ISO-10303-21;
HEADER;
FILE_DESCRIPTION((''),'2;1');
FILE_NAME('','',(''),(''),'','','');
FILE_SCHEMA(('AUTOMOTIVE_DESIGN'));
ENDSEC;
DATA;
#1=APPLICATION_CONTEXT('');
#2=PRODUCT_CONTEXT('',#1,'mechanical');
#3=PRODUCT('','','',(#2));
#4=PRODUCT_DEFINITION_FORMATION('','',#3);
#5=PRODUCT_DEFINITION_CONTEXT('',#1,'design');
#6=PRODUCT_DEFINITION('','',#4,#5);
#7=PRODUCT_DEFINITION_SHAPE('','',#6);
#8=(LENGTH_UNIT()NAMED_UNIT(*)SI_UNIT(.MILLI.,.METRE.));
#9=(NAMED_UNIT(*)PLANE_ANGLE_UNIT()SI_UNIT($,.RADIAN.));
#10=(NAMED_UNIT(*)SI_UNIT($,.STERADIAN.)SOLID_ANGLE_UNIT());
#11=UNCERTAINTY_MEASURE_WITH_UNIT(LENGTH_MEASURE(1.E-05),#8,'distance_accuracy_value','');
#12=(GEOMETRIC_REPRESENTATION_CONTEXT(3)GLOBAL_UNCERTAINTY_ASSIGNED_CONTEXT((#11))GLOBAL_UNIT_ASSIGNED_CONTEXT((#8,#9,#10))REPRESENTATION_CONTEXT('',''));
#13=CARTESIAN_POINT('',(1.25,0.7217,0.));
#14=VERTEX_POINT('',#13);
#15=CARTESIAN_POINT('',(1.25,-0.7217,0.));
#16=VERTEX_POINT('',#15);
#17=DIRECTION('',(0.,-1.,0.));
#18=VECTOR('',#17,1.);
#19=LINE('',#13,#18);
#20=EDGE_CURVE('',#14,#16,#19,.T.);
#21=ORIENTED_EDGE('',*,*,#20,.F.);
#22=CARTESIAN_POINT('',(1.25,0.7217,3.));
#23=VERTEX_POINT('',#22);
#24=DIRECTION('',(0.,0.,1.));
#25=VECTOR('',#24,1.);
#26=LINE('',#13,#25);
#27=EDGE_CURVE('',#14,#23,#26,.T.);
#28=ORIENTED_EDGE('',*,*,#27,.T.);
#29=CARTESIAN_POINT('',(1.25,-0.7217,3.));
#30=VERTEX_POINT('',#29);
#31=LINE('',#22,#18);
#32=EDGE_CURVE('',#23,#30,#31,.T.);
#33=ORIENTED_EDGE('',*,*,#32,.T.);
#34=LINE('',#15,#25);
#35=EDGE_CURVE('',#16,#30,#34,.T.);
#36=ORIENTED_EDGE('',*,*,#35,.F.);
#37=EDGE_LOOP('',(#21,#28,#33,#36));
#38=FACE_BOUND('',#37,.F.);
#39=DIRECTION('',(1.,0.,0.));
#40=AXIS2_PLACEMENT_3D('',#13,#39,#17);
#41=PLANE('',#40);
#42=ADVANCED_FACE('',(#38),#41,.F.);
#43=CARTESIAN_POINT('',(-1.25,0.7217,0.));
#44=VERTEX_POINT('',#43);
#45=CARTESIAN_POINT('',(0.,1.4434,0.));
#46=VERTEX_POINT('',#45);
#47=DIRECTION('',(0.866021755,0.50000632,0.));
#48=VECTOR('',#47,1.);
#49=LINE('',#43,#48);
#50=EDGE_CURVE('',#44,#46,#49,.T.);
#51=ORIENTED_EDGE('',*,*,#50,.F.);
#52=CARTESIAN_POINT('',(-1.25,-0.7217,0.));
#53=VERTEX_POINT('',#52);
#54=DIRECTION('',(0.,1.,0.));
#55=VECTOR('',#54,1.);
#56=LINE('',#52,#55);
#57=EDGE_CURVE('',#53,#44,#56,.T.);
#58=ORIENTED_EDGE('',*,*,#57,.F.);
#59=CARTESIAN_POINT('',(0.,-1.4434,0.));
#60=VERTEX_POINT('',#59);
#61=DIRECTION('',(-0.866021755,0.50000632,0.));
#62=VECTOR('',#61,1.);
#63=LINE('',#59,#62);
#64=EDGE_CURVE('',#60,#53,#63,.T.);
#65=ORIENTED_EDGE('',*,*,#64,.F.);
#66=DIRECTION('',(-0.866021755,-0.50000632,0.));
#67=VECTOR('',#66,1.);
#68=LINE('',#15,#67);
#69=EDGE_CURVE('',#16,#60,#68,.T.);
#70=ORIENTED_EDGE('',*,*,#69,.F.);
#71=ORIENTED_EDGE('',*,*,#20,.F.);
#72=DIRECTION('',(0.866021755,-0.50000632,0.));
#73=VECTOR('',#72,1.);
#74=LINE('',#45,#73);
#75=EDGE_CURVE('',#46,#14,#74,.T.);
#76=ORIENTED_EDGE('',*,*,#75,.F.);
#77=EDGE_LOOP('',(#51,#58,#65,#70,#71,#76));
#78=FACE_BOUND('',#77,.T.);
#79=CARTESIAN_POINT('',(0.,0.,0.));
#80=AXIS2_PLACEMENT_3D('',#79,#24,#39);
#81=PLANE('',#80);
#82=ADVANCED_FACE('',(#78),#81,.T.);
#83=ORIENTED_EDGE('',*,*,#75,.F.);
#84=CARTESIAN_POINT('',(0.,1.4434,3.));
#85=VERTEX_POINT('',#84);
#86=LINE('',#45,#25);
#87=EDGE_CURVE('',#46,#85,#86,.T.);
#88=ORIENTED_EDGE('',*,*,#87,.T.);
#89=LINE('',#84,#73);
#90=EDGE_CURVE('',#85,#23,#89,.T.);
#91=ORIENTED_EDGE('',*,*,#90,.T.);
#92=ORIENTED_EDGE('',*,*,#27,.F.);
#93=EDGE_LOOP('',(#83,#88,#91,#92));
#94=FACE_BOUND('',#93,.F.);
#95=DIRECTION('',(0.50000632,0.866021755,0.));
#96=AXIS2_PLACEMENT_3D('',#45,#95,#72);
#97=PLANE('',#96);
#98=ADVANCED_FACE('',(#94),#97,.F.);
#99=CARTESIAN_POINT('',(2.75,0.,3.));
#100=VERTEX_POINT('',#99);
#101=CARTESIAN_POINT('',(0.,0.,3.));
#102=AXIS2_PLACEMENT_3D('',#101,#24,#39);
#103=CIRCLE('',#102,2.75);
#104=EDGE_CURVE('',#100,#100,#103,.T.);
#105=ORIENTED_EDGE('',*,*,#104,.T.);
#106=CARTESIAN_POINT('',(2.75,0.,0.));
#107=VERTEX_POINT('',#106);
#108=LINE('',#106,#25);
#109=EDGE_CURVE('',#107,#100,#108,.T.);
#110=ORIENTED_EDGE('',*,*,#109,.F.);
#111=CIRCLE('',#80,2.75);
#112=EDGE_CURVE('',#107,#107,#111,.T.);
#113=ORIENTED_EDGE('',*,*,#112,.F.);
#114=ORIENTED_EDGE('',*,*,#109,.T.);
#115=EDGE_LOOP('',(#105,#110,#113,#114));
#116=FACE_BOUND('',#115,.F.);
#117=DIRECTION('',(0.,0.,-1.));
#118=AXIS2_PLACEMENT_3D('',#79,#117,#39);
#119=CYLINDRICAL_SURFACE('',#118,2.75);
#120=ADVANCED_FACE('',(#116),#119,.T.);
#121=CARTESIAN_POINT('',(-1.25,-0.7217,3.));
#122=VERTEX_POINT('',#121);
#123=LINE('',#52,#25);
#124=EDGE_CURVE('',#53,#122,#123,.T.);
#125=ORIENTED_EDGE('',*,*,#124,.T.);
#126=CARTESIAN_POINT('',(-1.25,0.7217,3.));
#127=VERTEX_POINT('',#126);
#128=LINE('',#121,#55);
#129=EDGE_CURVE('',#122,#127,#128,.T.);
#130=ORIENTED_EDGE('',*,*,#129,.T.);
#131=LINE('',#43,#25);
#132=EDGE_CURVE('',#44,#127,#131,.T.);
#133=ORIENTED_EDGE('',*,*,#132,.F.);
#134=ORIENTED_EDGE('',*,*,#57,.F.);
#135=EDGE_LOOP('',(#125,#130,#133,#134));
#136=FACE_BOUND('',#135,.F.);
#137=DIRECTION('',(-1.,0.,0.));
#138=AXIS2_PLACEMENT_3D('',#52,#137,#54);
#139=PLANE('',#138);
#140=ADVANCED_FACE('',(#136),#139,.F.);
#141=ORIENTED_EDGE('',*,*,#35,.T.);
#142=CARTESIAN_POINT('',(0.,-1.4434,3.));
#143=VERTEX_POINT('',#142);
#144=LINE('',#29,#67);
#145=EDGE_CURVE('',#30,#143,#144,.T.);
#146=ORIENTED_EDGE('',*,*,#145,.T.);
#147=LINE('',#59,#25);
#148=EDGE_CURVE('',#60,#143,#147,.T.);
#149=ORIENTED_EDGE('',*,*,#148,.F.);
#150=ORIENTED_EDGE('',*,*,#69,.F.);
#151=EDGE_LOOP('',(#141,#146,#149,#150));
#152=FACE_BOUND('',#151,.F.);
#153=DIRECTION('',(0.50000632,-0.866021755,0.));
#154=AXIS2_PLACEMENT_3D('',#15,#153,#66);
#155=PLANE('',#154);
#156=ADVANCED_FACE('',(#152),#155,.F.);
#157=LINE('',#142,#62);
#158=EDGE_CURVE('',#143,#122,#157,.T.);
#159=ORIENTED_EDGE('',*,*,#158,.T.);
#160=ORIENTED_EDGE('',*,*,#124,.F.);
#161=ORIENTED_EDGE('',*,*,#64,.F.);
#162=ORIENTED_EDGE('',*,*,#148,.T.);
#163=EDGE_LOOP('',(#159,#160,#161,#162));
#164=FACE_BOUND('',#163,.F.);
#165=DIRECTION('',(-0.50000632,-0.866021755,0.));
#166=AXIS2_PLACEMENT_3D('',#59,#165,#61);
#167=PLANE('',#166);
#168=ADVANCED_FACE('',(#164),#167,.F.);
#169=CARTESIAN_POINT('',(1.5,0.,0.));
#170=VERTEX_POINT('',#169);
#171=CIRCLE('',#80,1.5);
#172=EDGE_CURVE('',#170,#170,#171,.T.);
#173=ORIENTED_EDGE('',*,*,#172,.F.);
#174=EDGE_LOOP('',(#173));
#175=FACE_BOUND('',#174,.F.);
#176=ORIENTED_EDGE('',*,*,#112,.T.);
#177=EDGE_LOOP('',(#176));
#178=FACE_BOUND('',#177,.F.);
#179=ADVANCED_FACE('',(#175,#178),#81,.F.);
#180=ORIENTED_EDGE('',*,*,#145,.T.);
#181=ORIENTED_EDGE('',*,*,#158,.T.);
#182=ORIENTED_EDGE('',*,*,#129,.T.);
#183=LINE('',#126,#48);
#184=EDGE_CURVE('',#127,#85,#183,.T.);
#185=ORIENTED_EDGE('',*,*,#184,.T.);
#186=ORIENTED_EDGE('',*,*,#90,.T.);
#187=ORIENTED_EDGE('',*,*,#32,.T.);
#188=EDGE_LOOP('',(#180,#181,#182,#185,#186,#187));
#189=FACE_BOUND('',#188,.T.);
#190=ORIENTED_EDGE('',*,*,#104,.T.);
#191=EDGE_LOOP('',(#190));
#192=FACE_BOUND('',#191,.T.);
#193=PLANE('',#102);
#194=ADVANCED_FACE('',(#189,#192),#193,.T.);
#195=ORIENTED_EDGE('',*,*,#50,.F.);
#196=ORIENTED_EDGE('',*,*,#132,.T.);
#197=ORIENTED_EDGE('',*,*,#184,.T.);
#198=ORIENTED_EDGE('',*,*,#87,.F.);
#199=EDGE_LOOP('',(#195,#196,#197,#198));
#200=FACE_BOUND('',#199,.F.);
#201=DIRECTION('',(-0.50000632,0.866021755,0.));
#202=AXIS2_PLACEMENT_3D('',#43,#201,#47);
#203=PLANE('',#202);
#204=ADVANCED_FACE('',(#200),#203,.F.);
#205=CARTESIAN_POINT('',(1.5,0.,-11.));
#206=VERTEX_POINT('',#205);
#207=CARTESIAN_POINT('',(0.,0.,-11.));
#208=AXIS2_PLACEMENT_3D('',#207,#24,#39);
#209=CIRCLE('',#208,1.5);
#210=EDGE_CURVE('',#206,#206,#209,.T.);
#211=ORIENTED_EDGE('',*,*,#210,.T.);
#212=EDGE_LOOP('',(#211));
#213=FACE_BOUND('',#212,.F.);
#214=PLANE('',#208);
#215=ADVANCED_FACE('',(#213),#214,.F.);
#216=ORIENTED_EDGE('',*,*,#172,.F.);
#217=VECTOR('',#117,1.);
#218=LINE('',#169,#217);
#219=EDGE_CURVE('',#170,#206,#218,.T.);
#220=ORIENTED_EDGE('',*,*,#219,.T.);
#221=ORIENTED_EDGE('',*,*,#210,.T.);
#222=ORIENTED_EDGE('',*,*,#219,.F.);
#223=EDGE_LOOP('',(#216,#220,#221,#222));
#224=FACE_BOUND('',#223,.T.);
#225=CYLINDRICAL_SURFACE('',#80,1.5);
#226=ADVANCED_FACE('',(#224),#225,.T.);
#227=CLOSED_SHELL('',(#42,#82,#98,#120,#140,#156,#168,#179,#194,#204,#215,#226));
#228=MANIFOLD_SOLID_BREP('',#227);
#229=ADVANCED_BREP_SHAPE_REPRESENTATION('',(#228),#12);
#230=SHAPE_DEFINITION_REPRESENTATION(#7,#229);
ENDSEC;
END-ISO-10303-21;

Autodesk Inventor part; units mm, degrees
ref_plane "YZ Plane" through (0, 0, 0) normal (1, 0, 0) x (0, 1, 0)
ref_plane "XZ Plane" through (0, 0, 0) normal (0, 1, 0) x (-1, 0, 0)
ref_plane "XY Plane" through (0, 0, 0) normal (0, 0, 1) x (1, 0, 0)
sketch "スケッチ1" plane through (0, 0, 0) normal (0, 0, 1) x (1, 0, 0)
  circle A0 centre (0, 0) radius 2.75
  circle A1 centre (0, 0) radius 1.25 construction
  line L0 (-1.25, 0.7217) -> (0, 1.4434)
  line L1 (0, 1.4434) -> (1.25, 0.7217)
  line L2 (1.25, 0.7217) -> (1.25, -0.7217)
  line L3 (1.25, -0.7217) -> (0, -1.4434)
  line L4 (0, -1.4434) -> (-1.25, -0.7217)
  line L5 (-1.25, -0.7217) -> (-1.25, 0.7217)
  point P0 (-1.25, 0)
  dimension "d1" = 2.5
  dimension "d0" = 5.5
extrude "押し出し1" add sketch "スケッチ1" along normal blind 3
sketch "スケッチ2" plane through (0, 0, 0) normal (0, 0, 1) x (1, 0, 0)
  circle A0 centre (0, 0) radius 1.5
  dimension "d4" = 3
extrude "押し出し2" add sketch "スケッチ2" against normal blind 11
thread "ねじ1" size "M3x0.5" class "6g" standard "ANSI Metric M Profile" length 11
properties part number "shaft"
